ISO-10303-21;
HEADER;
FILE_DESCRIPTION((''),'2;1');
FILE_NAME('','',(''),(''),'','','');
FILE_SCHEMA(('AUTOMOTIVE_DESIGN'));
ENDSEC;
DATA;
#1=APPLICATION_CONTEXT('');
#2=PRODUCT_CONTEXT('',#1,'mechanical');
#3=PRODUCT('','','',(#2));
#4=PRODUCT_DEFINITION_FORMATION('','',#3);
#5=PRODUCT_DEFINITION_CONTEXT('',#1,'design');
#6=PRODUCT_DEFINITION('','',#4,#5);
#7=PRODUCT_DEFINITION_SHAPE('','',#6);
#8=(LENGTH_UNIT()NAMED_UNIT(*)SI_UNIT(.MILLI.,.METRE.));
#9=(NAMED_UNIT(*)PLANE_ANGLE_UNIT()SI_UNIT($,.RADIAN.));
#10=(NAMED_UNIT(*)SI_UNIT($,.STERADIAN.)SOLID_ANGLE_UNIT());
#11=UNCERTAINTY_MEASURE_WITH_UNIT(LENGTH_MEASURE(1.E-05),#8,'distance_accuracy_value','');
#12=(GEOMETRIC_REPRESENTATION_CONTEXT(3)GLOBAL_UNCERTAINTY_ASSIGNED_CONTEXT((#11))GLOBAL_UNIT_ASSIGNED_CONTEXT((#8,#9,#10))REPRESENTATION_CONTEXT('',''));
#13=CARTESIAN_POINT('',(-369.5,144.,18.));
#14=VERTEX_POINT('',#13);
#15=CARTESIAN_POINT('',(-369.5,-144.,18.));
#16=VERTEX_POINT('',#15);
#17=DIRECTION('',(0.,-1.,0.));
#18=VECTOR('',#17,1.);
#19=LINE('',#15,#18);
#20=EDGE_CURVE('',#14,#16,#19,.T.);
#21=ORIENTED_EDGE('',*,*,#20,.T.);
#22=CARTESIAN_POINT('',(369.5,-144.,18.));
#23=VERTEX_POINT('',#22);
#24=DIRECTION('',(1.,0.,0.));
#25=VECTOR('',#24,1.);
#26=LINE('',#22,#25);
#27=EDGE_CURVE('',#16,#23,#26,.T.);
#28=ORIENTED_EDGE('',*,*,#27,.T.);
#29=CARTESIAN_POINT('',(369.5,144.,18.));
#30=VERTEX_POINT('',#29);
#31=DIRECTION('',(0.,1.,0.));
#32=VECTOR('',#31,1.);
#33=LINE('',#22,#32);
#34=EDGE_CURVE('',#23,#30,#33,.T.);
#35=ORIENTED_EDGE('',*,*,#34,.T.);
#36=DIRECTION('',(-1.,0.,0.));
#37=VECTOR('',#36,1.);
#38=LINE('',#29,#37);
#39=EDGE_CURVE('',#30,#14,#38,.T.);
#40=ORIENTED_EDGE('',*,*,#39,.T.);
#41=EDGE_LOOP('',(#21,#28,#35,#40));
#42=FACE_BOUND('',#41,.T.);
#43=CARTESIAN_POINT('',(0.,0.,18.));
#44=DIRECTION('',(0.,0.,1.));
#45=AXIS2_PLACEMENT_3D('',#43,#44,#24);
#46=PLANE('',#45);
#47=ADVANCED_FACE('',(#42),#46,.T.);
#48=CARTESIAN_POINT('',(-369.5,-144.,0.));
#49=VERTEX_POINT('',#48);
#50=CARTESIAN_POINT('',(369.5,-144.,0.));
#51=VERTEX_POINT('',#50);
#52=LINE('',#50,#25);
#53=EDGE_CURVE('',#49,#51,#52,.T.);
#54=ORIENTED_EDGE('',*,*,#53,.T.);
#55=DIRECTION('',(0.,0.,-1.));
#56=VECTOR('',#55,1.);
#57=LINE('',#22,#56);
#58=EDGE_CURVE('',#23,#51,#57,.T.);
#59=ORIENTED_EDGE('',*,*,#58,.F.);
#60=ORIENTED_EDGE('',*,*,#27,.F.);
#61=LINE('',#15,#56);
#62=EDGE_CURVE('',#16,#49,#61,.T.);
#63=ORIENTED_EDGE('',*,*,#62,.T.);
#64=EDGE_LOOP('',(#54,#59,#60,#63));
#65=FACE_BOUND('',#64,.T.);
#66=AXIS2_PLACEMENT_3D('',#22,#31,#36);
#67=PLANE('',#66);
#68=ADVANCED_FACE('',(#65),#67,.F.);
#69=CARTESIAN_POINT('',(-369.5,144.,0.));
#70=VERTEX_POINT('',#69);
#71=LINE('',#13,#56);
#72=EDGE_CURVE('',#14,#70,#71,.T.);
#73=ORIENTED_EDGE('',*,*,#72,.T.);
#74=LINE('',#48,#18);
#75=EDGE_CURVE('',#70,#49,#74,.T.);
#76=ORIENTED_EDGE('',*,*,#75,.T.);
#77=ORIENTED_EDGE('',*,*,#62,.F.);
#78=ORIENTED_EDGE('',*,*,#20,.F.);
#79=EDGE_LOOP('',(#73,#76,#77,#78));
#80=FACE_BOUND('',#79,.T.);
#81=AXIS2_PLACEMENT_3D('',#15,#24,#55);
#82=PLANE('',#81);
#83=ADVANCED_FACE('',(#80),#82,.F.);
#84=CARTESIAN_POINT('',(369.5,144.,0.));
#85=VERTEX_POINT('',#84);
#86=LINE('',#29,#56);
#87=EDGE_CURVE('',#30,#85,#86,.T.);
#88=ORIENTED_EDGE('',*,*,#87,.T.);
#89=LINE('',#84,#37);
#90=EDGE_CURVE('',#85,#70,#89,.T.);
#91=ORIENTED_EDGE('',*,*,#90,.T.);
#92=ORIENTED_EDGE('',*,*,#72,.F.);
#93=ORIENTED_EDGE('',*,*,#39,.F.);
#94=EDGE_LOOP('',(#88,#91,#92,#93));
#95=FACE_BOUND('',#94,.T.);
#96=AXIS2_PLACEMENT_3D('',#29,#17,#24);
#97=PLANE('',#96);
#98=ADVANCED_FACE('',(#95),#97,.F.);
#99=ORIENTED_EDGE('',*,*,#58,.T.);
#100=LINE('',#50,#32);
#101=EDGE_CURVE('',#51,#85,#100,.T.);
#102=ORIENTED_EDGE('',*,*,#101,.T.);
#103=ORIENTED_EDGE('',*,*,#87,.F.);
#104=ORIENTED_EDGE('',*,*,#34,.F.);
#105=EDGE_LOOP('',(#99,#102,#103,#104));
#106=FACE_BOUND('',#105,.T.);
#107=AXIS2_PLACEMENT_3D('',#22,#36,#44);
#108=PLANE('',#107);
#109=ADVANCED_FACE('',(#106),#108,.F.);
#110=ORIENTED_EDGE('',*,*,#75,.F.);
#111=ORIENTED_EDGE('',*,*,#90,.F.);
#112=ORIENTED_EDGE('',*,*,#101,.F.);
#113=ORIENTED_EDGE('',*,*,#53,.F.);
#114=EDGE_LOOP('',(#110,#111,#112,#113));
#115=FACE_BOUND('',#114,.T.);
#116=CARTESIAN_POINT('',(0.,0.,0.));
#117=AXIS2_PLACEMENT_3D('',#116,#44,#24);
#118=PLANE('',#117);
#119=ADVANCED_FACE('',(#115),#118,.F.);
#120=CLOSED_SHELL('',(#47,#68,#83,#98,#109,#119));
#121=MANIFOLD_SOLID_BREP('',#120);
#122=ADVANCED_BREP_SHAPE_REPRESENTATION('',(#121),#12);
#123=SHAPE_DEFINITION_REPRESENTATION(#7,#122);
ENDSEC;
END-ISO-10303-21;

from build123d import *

# Parameters (mm, degrees)
SKETCH1_W           = 739
SKETCH1_H           = 288
BOSS_EXTRUDE1_DEPTH = 18


with BuildPart() as part:
    # Sketch1 → Boss-Extrude1 (new body)
    with BuildSketch(Plane.XY):
        Rectangle(SKETCH1_W, SKETCH1_H)
    extrude(amount=BOSS_EXTRUDE1_DEPTH)


solid = part.part
